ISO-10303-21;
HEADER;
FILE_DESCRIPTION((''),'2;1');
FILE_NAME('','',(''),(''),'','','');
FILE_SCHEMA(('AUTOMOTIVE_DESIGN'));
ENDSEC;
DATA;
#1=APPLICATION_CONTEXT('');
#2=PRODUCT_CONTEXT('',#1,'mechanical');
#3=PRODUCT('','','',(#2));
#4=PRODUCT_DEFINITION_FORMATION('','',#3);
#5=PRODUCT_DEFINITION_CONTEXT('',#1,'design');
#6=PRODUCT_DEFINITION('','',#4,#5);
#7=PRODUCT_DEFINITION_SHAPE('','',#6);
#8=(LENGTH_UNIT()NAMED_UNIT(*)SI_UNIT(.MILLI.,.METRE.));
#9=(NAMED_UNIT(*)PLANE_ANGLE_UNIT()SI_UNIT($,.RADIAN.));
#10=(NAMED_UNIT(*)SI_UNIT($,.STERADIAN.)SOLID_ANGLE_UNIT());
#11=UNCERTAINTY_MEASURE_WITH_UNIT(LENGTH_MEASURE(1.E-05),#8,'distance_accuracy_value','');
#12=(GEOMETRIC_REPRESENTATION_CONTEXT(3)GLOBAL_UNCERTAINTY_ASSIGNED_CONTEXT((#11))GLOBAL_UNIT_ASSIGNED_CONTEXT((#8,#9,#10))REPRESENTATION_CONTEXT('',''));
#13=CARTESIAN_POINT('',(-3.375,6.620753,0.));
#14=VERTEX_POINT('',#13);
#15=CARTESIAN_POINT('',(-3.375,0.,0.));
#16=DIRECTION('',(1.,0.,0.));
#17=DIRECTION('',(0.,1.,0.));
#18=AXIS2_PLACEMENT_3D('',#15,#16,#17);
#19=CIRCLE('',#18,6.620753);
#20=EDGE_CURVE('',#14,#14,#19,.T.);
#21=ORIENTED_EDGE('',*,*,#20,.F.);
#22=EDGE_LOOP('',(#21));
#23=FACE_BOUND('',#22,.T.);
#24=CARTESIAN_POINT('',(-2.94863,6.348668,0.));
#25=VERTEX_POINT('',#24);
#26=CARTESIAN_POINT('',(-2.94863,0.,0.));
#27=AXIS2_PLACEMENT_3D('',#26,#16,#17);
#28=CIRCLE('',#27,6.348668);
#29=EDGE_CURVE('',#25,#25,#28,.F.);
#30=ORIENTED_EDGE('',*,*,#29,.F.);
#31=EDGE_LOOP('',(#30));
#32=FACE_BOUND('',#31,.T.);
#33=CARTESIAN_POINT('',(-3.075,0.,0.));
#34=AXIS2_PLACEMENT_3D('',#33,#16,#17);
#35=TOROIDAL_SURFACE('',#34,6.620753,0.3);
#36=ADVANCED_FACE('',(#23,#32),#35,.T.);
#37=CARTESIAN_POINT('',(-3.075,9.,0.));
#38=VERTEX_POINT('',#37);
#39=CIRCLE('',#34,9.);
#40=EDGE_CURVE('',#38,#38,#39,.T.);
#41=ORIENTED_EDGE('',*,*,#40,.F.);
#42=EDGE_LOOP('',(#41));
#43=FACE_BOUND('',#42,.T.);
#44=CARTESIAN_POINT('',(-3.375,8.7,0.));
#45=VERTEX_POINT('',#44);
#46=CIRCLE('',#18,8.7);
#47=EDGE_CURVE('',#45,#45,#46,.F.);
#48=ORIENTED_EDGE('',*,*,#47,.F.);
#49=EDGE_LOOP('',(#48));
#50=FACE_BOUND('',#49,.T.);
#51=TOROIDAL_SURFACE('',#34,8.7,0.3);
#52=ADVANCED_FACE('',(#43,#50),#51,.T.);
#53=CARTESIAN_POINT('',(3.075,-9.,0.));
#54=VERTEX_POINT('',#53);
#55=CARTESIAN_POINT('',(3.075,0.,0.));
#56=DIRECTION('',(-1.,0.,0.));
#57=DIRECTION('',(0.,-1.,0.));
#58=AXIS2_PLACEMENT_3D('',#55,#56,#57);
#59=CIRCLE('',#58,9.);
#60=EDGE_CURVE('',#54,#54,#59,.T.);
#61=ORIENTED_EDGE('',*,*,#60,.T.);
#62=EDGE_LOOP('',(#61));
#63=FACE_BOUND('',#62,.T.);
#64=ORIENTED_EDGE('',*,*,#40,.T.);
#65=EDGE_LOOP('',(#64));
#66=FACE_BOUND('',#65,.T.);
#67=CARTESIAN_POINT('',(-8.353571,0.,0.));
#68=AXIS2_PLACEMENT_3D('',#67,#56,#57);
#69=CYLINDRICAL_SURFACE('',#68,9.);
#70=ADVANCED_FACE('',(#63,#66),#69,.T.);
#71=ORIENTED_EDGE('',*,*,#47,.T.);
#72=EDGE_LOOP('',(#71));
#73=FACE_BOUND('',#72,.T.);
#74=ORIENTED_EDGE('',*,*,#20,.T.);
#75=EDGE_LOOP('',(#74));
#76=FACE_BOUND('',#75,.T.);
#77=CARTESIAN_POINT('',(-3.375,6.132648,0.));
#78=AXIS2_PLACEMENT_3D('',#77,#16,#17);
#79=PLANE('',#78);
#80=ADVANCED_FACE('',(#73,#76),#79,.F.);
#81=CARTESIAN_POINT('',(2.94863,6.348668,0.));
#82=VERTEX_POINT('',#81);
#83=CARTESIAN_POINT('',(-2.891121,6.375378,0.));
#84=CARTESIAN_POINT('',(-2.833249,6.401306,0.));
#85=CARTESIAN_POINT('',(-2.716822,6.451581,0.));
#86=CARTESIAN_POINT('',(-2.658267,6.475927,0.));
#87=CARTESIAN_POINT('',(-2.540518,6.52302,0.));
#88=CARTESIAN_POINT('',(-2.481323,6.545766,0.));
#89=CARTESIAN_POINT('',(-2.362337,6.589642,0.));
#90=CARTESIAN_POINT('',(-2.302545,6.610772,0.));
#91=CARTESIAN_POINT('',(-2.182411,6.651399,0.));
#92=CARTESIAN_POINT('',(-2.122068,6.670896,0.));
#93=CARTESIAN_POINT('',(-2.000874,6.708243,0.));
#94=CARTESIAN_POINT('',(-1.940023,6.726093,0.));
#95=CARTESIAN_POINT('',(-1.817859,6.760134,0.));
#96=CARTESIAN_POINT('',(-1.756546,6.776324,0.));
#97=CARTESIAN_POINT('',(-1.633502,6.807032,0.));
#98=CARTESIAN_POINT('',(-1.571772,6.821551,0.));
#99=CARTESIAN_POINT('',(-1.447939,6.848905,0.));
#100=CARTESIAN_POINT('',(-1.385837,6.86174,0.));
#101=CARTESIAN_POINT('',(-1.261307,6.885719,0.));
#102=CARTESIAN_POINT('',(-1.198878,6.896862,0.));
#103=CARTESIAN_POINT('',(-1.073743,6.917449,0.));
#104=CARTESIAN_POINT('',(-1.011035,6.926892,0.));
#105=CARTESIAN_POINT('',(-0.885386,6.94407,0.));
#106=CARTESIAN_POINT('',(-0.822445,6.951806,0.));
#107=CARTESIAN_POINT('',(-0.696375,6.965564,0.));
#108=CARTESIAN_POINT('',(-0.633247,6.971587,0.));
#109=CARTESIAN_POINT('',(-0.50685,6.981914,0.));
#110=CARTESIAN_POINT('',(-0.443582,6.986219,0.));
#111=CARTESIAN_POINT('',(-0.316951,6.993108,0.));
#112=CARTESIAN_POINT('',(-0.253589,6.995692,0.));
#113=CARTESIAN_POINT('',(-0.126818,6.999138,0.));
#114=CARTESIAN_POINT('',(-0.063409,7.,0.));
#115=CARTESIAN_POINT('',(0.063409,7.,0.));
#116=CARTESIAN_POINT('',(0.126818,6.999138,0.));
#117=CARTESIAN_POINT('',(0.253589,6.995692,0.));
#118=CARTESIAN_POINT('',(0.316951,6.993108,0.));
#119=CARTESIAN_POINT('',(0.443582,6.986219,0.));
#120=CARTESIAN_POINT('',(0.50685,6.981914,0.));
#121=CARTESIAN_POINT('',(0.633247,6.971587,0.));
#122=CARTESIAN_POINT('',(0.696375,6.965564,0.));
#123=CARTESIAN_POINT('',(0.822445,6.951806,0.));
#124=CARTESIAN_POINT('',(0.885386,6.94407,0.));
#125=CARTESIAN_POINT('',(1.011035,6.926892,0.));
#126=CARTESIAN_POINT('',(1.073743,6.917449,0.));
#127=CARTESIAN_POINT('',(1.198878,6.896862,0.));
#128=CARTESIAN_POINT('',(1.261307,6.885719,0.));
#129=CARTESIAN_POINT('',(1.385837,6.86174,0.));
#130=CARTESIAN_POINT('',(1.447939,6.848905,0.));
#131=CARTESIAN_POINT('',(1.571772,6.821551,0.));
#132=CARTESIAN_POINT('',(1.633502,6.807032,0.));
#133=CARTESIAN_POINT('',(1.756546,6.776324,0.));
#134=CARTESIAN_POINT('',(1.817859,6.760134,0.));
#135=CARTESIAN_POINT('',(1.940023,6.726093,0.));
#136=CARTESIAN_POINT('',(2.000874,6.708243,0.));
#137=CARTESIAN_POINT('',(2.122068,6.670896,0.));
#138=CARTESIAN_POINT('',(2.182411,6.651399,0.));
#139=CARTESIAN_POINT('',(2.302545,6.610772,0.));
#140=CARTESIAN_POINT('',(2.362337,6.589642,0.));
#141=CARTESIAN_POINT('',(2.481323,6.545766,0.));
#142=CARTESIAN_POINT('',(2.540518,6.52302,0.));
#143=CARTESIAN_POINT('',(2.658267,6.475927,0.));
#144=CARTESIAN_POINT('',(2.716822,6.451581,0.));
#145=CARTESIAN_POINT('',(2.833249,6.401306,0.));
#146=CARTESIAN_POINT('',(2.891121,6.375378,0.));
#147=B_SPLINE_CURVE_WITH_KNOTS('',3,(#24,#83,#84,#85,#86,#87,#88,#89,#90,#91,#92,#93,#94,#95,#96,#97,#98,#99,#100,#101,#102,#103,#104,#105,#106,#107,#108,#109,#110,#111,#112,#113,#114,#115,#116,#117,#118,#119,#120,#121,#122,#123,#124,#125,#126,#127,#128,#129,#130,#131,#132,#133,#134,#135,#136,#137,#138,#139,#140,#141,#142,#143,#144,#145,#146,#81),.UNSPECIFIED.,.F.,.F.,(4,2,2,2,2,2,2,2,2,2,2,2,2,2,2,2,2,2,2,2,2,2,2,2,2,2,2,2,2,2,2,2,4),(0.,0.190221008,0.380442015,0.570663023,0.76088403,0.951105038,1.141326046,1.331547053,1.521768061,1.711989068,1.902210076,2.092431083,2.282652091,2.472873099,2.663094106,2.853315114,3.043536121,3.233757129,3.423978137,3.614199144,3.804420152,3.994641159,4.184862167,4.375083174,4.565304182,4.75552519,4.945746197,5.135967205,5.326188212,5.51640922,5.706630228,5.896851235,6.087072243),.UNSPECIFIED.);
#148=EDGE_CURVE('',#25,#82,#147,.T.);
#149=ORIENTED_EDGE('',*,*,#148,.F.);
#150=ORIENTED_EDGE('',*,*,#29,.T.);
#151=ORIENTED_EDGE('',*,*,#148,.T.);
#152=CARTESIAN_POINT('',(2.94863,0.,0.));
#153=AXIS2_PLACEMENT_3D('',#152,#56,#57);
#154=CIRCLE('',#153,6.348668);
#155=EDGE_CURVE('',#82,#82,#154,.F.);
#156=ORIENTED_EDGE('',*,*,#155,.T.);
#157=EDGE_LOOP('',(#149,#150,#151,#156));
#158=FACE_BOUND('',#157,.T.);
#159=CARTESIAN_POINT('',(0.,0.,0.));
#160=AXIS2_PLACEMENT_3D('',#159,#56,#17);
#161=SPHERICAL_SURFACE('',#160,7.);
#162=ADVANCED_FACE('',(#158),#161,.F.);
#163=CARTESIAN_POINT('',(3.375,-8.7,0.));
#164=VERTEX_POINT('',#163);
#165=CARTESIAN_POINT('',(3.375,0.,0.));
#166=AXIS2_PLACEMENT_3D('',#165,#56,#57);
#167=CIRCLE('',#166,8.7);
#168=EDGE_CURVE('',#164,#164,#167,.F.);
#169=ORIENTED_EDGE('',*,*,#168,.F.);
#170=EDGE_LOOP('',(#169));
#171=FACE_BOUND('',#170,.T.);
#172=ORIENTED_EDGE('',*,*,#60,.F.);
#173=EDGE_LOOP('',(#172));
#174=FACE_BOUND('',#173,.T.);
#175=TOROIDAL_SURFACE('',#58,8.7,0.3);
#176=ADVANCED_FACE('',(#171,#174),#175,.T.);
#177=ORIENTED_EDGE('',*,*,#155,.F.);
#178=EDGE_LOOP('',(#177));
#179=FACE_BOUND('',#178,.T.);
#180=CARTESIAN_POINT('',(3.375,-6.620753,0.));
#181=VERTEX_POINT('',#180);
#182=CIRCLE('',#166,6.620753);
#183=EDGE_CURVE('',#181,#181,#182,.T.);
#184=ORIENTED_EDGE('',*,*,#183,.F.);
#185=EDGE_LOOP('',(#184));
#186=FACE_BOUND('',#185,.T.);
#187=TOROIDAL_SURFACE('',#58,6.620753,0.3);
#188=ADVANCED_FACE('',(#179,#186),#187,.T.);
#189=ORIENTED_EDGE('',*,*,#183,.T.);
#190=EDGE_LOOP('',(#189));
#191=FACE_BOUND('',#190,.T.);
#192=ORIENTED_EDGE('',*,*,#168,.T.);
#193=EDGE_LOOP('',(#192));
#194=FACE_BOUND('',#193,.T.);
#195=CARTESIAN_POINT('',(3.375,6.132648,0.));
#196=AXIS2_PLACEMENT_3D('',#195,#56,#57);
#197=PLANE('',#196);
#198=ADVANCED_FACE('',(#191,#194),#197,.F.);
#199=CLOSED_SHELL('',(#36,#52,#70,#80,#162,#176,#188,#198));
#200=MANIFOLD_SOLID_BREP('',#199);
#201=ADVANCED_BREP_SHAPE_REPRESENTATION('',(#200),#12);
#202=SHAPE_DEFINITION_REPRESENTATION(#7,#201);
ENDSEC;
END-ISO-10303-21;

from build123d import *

# Parameters (mm, degrees)
FILLET_1_R = 0.3


with BuildPart() as part:
    # 草图1 → 旋转1 (revolve)
    with BuildSketch(Plane.XY, mode=Mode.PRIVATE) as revolve_1_sk:
        with BuildLine():
            Line((-3.375, 6.132648286), (-3.375, 9))
            Line((-3.375, 9), (3.375, 9))
            Line((3.375, 9), (3.375, 6.132648286))
            ThreePointArc((3.375, 6.132648286), (0, 7), (-3.375, 6.132648286))
        make_face()
    revolve(revolve_1_sk.sketch.rotate(Axis((-8.353570551, 0, 0), (1, 0, 0)), 180), axis=Axis((-8.353570551, 0, 0), (1, 0, 0)))

    # 圆角1
    fillet_1_edges = [part.edges().sort_by_distance(p)[0] for p in [
        (3.375, 6.132648286, 0),
        (-3.375, 6.132648286, 0),
        (-3.375, 9, 0),
        (3.375, 9, 0),
    ]]
    fillet(fillet_1_edges, radius=FILLET_1_R)


solid = part.part
